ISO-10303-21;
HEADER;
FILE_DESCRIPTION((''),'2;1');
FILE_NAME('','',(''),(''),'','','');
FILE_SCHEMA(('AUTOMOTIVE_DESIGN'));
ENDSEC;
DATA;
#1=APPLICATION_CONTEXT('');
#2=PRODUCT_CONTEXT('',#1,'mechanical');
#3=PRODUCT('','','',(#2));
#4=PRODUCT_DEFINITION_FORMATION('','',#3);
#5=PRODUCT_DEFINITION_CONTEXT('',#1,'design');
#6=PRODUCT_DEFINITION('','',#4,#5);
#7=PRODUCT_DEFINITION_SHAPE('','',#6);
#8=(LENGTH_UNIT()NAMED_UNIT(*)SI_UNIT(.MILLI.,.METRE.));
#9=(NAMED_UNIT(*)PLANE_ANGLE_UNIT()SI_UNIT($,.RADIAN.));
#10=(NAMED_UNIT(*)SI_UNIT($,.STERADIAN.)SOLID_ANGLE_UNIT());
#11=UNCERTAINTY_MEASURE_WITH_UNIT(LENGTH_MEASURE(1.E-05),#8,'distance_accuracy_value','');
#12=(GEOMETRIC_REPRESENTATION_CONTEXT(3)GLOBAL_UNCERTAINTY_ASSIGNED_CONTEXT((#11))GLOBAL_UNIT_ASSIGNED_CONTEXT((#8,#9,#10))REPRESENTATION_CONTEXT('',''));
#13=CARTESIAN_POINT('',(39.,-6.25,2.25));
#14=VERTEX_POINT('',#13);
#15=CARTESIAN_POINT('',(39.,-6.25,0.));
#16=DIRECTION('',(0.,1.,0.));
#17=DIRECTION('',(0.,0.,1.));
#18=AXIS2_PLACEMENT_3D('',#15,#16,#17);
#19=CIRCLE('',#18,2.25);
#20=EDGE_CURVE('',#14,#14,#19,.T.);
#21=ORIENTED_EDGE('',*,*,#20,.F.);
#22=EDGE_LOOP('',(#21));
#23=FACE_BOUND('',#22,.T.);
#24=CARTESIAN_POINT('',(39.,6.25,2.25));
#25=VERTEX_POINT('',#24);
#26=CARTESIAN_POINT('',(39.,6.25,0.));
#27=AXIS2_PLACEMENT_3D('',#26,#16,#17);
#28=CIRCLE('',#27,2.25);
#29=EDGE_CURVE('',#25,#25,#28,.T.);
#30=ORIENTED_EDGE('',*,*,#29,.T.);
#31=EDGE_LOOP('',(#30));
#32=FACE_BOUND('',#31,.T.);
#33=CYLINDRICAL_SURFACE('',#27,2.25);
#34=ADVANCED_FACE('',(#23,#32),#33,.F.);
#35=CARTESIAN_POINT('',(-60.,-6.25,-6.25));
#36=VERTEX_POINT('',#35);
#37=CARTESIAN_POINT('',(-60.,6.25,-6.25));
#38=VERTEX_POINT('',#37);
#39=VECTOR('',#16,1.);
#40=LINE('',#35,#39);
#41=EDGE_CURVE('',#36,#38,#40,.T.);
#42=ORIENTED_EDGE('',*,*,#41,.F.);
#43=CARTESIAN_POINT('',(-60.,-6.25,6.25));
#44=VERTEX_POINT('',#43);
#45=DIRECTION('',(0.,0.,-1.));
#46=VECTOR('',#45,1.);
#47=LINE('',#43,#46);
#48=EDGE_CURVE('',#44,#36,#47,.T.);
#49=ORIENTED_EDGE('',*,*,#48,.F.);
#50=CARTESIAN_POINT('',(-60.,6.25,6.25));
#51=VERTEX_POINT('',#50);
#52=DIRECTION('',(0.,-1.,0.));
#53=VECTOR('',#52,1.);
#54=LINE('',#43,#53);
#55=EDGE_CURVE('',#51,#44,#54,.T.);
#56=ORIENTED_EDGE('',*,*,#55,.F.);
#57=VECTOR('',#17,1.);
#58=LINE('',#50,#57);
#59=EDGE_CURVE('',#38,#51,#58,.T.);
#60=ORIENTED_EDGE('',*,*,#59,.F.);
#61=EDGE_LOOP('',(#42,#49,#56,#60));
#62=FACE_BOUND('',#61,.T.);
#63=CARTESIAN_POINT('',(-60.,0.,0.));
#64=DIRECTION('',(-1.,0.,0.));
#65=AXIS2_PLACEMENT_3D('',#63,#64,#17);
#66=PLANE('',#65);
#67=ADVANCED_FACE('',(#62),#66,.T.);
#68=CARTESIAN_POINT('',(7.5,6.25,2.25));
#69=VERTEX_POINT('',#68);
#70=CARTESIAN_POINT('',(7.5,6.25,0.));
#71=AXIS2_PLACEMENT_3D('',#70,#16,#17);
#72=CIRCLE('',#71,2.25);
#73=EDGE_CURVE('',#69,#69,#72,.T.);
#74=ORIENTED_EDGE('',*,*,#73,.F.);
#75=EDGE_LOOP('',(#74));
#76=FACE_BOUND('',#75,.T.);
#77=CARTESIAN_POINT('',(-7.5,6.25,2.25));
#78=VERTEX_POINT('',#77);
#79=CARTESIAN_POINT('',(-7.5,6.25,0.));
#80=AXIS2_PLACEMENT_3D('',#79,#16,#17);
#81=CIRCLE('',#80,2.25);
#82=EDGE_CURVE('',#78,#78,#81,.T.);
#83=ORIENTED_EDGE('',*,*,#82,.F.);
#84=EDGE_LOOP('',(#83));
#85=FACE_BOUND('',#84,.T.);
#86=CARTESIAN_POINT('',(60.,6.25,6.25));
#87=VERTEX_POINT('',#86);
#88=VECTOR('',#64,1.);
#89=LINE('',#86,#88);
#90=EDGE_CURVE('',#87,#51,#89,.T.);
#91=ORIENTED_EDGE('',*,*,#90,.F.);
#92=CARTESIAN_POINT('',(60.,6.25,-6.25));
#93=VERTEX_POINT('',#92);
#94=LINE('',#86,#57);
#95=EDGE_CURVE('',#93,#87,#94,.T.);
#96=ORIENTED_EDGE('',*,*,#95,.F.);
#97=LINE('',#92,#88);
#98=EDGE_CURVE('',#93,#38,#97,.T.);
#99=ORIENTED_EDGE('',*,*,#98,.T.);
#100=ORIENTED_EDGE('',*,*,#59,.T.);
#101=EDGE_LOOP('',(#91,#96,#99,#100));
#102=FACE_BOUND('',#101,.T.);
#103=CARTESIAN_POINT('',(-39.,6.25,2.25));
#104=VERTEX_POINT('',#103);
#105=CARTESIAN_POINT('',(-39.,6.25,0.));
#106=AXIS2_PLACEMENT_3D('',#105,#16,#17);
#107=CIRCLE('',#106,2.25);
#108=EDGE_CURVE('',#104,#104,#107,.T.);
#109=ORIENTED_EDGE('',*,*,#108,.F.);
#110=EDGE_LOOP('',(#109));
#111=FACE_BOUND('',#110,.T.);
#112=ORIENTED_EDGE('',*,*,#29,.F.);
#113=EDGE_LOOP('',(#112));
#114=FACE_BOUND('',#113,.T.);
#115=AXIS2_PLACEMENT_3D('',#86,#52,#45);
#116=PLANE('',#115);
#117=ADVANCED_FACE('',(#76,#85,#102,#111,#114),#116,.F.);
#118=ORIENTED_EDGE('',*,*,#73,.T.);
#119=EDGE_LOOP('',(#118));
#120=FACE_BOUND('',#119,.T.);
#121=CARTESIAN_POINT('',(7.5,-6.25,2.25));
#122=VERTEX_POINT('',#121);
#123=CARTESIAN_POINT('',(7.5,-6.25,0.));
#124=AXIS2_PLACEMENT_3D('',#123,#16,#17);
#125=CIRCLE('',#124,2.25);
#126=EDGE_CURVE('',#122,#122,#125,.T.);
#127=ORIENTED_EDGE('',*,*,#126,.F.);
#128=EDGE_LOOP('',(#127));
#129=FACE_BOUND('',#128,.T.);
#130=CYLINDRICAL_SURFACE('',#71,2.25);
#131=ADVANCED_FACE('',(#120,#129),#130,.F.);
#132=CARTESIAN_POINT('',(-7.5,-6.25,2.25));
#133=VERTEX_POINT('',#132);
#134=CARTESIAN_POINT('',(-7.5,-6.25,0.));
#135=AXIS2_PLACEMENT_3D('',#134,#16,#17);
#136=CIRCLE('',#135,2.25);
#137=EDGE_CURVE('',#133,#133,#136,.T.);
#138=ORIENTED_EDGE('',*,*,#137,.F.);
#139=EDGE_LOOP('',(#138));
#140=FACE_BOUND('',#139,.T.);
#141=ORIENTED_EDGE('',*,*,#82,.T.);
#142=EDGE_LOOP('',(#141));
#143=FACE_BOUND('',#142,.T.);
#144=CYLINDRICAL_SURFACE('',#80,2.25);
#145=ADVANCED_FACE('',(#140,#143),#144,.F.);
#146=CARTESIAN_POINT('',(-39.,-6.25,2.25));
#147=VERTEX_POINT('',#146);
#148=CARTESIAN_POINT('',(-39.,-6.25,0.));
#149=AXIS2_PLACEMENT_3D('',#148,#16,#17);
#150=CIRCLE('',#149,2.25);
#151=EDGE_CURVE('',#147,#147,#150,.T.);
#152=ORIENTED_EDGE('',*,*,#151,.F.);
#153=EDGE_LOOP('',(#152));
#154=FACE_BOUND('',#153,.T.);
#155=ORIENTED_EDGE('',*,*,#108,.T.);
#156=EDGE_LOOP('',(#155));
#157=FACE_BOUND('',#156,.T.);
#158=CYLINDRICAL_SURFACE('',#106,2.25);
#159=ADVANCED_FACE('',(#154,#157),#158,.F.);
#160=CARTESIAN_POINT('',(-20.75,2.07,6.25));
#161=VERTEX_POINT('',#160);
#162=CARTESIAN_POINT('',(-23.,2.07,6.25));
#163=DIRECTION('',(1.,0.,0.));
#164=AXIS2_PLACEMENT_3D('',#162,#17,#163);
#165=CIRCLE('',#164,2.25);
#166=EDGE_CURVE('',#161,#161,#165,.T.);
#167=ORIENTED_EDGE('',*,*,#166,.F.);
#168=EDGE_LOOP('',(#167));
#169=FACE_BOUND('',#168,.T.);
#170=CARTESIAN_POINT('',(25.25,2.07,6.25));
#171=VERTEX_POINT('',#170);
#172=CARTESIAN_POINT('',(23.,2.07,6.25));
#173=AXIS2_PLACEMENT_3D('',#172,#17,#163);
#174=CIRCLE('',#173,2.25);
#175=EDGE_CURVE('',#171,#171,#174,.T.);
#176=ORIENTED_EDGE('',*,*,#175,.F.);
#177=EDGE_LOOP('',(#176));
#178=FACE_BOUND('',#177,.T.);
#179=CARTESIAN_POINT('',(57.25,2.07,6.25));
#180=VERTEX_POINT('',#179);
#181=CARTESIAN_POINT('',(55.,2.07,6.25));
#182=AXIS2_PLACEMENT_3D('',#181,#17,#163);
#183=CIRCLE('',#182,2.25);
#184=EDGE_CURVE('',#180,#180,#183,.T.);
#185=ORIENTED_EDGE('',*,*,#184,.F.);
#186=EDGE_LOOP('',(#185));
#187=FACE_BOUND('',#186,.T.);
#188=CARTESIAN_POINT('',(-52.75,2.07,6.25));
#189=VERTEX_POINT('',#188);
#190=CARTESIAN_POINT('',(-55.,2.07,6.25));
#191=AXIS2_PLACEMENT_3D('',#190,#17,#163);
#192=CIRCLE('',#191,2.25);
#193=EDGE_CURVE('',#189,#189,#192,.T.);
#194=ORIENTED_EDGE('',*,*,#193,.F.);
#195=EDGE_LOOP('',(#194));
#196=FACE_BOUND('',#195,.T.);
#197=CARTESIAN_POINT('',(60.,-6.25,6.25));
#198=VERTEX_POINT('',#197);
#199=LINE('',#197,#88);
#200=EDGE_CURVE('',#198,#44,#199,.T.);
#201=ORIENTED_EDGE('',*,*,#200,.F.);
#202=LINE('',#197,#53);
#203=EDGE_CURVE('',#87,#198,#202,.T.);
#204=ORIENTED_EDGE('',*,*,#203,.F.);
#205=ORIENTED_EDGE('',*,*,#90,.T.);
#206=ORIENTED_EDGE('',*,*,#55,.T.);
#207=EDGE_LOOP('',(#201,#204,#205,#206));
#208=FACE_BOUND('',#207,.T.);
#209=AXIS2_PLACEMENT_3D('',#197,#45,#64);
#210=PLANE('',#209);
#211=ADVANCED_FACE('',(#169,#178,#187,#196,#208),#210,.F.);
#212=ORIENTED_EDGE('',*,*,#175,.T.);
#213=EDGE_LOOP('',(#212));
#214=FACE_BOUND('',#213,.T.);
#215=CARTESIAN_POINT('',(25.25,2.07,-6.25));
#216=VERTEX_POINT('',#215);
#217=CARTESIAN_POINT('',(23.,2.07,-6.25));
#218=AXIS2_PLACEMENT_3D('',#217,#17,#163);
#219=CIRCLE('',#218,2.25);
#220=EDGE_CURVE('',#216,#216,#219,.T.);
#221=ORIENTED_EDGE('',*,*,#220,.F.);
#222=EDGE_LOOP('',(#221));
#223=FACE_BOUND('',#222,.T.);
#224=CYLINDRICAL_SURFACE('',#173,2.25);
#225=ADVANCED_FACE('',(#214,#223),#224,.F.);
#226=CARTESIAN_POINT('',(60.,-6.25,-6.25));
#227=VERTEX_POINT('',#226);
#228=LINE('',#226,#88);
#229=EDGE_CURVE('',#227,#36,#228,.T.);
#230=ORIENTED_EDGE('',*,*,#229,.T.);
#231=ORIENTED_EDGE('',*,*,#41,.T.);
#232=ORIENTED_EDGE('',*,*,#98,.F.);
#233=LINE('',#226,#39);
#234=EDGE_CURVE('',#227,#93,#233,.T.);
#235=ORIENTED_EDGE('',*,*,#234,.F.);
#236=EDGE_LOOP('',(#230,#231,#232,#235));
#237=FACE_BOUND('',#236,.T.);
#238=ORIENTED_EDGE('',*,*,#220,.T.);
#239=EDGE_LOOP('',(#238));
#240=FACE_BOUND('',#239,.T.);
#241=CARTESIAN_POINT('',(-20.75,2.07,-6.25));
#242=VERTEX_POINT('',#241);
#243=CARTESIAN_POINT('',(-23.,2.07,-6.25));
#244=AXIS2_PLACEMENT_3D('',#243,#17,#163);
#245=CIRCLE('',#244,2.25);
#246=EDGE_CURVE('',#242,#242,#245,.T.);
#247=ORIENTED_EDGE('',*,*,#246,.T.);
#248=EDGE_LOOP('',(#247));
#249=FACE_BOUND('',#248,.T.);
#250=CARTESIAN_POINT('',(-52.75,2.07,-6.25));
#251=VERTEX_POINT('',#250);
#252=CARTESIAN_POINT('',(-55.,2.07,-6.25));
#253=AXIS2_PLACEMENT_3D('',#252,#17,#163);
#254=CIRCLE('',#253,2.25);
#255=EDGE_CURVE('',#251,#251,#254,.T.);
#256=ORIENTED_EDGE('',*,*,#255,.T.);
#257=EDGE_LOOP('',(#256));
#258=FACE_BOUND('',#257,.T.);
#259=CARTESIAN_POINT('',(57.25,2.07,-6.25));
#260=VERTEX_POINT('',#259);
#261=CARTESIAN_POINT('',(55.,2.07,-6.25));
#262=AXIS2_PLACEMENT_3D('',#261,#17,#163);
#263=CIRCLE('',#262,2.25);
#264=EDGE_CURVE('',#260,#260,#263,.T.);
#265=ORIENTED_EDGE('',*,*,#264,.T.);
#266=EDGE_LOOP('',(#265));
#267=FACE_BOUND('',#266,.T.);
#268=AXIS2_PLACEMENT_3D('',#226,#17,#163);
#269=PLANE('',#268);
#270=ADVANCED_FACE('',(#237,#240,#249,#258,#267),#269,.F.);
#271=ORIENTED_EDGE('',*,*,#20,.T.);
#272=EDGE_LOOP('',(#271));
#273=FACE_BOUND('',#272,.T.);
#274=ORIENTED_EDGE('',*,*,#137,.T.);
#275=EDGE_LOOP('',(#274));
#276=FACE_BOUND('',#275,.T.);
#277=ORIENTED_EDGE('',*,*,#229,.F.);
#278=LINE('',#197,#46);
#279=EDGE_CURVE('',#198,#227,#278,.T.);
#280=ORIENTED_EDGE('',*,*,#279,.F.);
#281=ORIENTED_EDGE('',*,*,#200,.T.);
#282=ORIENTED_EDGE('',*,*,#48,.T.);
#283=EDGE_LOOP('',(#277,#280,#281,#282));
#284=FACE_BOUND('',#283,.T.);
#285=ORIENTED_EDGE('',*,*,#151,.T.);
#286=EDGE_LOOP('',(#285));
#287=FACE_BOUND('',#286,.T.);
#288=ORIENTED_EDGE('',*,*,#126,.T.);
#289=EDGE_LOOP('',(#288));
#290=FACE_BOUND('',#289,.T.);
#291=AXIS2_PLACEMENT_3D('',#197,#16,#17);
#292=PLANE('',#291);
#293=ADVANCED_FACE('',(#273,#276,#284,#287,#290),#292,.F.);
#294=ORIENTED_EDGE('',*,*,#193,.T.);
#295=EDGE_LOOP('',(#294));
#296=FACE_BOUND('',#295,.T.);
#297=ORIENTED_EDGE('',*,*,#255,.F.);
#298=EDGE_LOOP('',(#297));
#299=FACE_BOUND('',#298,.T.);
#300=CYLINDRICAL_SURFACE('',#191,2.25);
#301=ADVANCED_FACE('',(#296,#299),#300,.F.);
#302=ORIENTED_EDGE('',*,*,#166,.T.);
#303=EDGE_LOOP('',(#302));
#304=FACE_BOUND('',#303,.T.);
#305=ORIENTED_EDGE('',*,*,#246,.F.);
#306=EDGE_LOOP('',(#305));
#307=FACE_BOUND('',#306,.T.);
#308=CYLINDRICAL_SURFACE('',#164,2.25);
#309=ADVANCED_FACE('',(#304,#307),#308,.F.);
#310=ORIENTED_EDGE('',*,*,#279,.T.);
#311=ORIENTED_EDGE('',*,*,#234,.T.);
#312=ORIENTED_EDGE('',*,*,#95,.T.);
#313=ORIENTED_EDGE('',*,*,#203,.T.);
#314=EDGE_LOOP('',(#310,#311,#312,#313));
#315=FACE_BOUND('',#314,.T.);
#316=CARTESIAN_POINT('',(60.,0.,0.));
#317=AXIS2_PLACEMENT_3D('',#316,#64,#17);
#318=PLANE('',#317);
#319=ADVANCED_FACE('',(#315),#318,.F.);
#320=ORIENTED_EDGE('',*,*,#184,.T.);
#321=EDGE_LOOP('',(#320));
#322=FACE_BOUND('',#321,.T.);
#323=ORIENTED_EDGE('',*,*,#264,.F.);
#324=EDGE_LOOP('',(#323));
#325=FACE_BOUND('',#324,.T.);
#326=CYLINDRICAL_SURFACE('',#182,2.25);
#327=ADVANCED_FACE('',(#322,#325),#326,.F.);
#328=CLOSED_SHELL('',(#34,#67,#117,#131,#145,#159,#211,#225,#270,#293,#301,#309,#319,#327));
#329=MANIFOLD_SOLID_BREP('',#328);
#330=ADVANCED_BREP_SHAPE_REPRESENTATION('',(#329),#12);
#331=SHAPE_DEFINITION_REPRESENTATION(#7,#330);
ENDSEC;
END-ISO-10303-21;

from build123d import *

# Parameters (mm, degrees)
SKETCH1_W             = 12.5
SKETCH1_H             = 12.5
BOSS_EXTRUDE1_DEPTH   = 60
F_4_0MM_DOWEL_HOLE1_D = 4.5
F_1_0MM_DOWEL_HOLE1_D = 4.5


with BuildPart() as part:
    # Sketch1 → Boss-Extrude1 (new body, symmetric)
    with BuildSketch(Plane(origin=(0, 0, 0), x_dir=(0, 0, -1), z_dir=(1, 0, 0))):
        Rectangle(SKETCH1_W, SKETCH1_H)
    extrude(amount=BOSS_EXTRUDE1_DEPTH, both=True)

    # Ø4.0mm Dowel Hole1 (through all)
    with Locations(Plane.XY.offset(6.25)):
        with Locations((-55, 2.07), (-23, 2.07), (23, 2.07), (55, 2.07)):
            Hole(F_4_0MM_DOWEL_HOLE1_D / 2)

    # Ø1.0mm Dowel Hole1 (through all)
    with Locations(Plane(origin=(0, 6.25, 0), x_dir=(1, 0, 0), z_dir=(0, 1, 0))):
        with Locations((-39, 0), (39, 0), (-7.5, 0), (7.5, 0)):
            Hole(F_1_0MM_DOWEL_HOLE1_D / 2)


solid = part.part
